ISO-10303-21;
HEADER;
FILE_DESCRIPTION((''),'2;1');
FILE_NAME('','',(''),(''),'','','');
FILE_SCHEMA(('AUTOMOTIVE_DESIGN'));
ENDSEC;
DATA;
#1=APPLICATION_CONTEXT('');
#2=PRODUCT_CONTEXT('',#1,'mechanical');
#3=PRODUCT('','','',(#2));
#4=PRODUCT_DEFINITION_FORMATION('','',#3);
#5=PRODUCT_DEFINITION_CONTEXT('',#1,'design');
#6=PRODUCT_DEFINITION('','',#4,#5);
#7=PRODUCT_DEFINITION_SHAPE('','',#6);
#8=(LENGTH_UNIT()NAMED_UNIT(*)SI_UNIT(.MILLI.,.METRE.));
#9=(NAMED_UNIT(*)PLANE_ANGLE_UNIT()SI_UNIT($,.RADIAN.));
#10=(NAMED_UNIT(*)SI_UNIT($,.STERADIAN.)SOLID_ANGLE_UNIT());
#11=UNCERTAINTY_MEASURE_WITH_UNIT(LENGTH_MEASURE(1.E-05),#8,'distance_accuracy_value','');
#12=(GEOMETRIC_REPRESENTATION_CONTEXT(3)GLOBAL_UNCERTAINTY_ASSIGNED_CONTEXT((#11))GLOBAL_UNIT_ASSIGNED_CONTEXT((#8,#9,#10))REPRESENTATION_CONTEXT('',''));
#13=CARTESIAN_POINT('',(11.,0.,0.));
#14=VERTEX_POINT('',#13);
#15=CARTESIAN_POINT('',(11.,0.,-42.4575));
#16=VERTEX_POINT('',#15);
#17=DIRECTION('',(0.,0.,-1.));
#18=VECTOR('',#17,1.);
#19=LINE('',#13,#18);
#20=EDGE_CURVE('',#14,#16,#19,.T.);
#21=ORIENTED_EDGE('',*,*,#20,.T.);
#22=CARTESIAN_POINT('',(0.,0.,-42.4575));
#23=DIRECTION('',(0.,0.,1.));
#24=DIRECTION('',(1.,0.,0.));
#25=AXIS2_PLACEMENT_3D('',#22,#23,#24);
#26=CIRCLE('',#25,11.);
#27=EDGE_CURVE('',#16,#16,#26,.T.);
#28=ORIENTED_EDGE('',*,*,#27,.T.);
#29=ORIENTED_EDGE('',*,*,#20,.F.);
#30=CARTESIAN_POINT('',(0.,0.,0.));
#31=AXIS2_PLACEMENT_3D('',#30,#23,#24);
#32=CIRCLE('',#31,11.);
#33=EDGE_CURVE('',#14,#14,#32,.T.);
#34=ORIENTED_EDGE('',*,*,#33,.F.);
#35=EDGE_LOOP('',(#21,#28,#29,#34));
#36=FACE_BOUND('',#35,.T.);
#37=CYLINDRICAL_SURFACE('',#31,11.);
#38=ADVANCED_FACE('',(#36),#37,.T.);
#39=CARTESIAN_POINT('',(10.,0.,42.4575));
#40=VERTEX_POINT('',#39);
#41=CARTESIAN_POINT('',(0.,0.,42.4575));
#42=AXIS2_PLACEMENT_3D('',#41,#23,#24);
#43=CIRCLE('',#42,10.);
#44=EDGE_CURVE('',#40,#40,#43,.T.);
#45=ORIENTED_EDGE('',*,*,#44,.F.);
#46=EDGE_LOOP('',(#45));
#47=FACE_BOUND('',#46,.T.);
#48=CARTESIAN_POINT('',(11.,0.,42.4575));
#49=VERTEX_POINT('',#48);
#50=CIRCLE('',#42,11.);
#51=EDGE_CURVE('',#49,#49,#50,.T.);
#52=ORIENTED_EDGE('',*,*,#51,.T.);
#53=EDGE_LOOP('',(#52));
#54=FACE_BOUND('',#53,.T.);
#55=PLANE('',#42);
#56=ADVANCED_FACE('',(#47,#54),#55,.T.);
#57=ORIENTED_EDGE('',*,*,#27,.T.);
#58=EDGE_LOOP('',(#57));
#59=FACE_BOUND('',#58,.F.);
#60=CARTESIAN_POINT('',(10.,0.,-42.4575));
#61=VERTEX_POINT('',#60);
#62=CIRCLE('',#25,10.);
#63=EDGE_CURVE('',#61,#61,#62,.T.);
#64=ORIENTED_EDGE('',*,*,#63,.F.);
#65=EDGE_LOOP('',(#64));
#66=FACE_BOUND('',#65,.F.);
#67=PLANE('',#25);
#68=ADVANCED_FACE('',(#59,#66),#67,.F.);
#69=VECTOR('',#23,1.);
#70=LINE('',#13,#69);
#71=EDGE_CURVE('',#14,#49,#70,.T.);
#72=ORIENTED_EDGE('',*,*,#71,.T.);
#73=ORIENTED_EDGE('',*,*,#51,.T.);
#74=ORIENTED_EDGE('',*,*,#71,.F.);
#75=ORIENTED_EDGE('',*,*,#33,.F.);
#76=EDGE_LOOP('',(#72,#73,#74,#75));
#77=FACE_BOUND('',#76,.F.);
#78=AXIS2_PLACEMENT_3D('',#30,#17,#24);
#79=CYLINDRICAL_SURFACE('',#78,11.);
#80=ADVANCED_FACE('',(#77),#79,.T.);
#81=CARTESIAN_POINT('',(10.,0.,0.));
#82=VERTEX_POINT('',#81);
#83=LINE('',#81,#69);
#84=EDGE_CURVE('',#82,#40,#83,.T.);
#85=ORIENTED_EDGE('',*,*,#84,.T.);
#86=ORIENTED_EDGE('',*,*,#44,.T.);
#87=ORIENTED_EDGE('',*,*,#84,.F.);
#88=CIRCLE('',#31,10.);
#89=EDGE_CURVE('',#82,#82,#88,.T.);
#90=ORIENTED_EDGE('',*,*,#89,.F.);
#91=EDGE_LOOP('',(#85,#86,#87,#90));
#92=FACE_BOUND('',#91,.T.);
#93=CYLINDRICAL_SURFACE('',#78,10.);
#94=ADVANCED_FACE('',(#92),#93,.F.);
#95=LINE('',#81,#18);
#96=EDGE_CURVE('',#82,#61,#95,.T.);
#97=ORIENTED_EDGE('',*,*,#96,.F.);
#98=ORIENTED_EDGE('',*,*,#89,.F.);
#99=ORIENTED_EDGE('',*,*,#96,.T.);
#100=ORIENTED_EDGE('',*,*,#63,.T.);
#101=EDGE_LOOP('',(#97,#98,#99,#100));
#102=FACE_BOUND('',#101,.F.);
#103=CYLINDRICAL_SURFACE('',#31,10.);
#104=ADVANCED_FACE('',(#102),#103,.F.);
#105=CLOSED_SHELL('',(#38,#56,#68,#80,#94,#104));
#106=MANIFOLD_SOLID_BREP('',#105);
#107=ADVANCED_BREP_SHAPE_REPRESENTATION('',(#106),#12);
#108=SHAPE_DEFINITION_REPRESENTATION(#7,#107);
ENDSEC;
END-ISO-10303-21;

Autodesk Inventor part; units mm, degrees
ref_plane "YZ Plane" through (0, 0, 0) normal (1, 0, 0) x (0, 1, 0)
ref_plane "XZ Plane" through (0, 0, 0) normal (0, 1, 0) x (-1, 0, 0)
ref_plane "XY Plane" through (0, 0, 0) normal (0, 0, 1) x (1, 0, 0)
sketch "Sketch2" plane through (0, 0, 0) normal (0, 0, 1) x (1, 0, 0)
  circle A0 centre (0, 0) radius 11
  circle A1 centre (0, 0) radius 10
  dimension "d5" = 22
  dimension "d7" = 1
extrude "Extrusion2" add sketch "Sketch2" along normal mid plane 84.915
properties part number "Black part to elbow"
